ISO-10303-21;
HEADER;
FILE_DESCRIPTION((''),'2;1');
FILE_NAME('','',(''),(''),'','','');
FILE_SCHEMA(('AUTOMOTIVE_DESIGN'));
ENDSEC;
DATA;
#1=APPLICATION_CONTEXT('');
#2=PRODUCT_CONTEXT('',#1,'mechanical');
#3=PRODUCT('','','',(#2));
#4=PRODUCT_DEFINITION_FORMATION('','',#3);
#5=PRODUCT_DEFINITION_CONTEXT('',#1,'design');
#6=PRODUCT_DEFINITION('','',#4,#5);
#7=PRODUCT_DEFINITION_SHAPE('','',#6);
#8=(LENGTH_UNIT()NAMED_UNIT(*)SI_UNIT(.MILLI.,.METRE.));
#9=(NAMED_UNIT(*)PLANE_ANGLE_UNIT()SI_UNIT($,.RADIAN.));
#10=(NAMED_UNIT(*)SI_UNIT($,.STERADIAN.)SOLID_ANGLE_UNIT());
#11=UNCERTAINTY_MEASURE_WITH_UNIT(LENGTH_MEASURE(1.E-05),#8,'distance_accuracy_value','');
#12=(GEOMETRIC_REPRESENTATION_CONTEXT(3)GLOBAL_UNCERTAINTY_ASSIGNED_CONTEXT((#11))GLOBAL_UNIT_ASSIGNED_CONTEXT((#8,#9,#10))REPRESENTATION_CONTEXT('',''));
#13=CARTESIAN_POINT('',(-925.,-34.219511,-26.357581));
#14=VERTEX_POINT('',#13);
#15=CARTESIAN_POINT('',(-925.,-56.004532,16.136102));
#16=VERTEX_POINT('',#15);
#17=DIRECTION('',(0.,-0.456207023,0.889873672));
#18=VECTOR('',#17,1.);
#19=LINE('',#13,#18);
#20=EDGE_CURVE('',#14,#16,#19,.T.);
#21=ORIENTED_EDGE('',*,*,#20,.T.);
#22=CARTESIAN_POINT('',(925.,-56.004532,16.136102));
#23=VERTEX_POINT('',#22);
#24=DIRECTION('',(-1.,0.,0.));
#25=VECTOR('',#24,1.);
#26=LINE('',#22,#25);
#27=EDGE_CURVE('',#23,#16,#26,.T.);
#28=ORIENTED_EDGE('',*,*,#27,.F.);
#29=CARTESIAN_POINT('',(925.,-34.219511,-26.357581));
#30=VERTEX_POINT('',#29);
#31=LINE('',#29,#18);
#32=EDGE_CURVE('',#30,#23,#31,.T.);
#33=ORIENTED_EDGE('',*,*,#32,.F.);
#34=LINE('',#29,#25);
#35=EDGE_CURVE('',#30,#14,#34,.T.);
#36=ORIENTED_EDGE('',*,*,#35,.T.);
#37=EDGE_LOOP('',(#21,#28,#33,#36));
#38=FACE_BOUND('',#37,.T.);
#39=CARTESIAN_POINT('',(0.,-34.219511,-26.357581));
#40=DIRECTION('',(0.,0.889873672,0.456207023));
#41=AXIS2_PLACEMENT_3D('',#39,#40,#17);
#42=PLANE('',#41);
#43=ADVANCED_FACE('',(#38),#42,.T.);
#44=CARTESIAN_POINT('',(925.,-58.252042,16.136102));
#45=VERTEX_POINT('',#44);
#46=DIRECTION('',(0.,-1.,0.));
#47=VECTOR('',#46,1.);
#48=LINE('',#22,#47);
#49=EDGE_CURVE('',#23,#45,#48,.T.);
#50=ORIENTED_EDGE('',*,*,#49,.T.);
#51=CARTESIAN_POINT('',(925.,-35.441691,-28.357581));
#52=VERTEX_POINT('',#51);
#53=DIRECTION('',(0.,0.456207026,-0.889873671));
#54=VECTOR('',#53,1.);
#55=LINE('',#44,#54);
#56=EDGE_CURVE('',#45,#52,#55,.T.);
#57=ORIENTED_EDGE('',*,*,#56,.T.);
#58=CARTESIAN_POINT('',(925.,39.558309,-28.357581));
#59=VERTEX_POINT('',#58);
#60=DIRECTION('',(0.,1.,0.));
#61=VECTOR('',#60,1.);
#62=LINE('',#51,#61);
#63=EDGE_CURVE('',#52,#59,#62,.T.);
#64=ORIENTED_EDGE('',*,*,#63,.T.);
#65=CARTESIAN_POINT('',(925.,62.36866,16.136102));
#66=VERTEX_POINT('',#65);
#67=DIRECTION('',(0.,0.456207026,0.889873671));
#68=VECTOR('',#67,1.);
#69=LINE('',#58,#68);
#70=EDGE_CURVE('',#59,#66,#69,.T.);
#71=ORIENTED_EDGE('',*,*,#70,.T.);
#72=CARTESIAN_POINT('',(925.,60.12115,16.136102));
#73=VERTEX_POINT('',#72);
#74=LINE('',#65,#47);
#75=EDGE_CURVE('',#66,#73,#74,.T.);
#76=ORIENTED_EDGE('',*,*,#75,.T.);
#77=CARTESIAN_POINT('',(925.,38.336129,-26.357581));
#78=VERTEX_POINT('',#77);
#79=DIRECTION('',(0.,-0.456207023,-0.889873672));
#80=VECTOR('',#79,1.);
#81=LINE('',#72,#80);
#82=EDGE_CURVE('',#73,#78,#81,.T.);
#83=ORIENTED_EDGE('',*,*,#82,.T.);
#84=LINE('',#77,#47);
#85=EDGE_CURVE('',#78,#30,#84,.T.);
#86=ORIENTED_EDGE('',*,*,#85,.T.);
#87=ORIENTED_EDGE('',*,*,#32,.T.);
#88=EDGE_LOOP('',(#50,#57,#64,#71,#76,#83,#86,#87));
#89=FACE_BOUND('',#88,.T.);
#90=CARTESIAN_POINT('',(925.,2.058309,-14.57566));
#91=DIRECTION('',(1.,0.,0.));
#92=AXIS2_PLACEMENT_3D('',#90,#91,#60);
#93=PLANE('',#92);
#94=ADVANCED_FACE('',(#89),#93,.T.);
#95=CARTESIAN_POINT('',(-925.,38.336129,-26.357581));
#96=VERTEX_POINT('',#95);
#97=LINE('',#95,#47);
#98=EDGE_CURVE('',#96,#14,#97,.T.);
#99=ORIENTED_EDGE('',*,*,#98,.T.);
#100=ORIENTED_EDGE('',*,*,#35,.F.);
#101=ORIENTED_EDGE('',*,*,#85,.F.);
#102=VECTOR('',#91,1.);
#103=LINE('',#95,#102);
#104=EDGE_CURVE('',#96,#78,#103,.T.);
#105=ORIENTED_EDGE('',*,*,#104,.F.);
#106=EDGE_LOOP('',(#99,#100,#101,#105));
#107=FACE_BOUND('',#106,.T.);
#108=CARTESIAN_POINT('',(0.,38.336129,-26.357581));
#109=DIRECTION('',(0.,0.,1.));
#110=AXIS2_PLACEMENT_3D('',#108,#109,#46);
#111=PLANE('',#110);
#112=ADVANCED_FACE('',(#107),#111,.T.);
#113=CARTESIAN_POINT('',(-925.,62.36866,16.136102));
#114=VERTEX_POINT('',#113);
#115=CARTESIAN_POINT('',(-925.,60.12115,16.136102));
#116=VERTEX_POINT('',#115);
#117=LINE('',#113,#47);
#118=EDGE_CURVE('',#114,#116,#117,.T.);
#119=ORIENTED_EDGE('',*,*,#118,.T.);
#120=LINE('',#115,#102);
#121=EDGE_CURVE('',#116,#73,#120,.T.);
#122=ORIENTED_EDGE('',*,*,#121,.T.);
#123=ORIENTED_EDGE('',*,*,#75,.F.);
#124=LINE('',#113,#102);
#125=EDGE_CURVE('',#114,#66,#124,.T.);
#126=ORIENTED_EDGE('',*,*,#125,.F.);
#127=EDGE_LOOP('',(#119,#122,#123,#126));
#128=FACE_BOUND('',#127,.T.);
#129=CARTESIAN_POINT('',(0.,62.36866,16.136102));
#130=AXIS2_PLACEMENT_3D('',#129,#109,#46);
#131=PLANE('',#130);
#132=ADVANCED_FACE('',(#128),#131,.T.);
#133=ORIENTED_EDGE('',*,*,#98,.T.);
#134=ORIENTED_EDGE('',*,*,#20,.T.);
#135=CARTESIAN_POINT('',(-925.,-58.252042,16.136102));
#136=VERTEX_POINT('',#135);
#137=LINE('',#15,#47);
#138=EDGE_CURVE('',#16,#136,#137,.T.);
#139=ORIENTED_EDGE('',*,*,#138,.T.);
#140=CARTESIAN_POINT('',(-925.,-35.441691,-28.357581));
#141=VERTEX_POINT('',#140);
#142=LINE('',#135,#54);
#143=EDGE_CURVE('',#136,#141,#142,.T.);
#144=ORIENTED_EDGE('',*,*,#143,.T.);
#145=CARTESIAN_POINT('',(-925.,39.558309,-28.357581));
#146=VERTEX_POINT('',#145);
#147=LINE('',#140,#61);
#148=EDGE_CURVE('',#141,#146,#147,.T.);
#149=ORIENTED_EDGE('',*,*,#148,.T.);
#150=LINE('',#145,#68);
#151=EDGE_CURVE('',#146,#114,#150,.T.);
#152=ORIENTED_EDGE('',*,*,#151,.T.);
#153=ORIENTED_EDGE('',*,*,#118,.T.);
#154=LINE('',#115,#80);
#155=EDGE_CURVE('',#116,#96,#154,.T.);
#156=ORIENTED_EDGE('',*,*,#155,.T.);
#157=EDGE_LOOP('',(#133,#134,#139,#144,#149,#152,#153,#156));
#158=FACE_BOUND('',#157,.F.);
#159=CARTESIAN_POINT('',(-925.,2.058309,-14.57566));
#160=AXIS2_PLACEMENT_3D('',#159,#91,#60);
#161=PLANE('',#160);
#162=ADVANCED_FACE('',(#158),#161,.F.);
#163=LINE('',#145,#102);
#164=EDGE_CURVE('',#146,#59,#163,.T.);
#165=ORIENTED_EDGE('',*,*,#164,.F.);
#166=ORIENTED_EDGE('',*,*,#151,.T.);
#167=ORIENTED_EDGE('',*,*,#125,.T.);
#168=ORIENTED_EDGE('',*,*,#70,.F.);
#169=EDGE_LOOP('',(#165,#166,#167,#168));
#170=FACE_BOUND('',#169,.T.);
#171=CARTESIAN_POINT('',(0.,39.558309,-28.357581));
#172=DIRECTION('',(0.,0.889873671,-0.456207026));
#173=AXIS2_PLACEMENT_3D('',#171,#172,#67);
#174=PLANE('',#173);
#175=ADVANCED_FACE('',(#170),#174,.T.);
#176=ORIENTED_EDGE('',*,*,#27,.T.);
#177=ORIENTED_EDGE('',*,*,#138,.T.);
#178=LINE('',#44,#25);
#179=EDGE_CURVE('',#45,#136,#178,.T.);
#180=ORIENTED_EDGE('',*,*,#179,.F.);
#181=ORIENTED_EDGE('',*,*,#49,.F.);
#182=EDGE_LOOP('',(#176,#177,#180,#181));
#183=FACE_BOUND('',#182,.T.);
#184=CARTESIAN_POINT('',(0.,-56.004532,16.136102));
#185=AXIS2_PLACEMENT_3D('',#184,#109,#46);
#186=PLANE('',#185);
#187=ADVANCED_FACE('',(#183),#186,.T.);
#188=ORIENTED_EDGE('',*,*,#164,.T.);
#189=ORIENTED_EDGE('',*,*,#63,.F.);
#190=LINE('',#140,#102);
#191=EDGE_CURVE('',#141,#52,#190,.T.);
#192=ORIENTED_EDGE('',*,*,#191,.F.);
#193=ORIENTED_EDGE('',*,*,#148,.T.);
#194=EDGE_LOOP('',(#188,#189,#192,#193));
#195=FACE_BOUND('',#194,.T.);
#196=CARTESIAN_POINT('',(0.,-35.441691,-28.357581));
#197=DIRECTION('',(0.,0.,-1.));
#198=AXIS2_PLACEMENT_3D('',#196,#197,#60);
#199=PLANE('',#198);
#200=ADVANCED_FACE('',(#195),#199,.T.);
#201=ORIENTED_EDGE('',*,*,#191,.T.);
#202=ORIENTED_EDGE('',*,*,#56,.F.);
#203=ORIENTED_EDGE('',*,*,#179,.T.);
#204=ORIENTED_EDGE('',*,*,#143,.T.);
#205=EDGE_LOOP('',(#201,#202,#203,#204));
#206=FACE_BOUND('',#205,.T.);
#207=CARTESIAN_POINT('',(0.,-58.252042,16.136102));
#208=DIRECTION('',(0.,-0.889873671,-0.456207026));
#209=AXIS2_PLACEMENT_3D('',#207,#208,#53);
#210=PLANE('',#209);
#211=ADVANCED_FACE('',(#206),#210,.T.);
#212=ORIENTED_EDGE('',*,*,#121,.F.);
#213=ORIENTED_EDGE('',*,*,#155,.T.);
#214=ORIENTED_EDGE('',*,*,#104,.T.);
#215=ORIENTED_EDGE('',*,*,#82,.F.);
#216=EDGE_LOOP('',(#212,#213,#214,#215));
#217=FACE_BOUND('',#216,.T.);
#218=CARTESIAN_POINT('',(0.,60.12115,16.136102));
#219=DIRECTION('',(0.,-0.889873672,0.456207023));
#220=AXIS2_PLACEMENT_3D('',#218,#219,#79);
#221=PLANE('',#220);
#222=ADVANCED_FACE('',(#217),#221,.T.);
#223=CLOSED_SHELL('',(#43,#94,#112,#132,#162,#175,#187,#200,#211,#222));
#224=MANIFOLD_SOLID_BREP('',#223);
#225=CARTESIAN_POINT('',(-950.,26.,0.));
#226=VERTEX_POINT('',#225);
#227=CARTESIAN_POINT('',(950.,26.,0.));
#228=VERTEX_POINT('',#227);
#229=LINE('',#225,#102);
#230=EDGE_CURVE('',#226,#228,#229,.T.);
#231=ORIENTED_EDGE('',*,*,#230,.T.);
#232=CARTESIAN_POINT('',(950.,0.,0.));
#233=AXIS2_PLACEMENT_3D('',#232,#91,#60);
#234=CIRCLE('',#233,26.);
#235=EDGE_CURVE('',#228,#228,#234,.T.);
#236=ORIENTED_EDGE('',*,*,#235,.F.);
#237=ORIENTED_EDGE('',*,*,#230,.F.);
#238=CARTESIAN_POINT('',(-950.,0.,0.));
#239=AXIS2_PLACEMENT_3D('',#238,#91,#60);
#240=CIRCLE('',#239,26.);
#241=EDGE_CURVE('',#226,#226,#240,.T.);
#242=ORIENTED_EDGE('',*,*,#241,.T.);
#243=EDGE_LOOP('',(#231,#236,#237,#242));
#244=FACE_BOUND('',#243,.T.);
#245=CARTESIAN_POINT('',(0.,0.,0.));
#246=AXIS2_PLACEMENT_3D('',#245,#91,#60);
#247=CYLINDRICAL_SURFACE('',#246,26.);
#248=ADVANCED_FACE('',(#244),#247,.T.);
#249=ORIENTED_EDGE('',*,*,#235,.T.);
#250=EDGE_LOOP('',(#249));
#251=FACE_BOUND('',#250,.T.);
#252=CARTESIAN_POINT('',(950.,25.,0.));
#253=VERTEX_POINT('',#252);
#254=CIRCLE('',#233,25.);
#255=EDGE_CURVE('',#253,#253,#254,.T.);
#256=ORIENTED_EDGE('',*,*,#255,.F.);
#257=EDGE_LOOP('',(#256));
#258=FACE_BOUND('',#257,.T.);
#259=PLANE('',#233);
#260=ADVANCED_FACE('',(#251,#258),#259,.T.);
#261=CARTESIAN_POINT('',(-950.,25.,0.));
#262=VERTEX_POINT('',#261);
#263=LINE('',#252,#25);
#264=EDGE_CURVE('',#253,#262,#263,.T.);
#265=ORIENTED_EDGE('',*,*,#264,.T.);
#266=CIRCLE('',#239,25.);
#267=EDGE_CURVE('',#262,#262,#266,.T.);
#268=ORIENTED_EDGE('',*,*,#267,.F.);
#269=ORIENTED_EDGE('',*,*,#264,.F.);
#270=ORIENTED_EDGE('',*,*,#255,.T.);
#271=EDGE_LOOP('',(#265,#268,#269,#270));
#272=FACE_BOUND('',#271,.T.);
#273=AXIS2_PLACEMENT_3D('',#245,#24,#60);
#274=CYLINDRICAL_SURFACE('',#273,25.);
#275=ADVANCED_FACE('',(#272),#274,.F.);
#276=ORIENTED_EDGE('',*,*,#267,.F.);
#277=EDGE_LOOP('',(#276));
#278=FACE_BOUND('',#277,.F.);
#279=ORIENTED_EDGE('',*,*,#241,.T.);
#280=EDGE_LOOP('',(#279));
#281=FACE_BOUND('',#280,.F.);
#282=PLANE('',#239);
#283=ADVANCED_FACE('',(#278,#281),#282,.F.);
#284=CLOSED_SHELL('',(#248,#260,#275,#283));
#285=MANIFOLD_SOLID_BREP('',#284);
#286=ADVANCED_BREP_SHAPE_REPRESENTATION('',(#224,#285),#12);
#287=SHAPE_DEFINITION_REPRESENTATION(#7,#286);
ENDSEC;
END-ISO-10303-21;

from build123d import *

# Parameters (mm, degrees)
F1_DEPTH = 925
F2_R     = 26
F2_R_2   = 25
F3_DEPTH = 950


with BuildPart() as f1:
    # F0 (on Right) → F1 (new body, symmetric)
    with BuildSketch(Plane.YZ):
        Polygon((-58.252042, 16.136102), (-35.441691, -28.357581), (39.558309, -28.357581), (62.36866, 16.136102), (60.12115, 16.136102), (38.336129, -26.357581), (-34.219511, -26.357581), (-56.004532, 16.136102), align=None)
    extrude(amount=F1_DEPTH, both=True)


with BuildPart() as f3:
    # F2 (on Right) → F3 (new body, symmetric)
    with BuildSketch(Plane.YZ):
        Circle(F2_R)
        Circle(F2_R_2, mode=Mode.SUBTRACT)
    extrude(amount=F3_DEPTH, both=True)


solid = Compound([f1.part, f3.part])
